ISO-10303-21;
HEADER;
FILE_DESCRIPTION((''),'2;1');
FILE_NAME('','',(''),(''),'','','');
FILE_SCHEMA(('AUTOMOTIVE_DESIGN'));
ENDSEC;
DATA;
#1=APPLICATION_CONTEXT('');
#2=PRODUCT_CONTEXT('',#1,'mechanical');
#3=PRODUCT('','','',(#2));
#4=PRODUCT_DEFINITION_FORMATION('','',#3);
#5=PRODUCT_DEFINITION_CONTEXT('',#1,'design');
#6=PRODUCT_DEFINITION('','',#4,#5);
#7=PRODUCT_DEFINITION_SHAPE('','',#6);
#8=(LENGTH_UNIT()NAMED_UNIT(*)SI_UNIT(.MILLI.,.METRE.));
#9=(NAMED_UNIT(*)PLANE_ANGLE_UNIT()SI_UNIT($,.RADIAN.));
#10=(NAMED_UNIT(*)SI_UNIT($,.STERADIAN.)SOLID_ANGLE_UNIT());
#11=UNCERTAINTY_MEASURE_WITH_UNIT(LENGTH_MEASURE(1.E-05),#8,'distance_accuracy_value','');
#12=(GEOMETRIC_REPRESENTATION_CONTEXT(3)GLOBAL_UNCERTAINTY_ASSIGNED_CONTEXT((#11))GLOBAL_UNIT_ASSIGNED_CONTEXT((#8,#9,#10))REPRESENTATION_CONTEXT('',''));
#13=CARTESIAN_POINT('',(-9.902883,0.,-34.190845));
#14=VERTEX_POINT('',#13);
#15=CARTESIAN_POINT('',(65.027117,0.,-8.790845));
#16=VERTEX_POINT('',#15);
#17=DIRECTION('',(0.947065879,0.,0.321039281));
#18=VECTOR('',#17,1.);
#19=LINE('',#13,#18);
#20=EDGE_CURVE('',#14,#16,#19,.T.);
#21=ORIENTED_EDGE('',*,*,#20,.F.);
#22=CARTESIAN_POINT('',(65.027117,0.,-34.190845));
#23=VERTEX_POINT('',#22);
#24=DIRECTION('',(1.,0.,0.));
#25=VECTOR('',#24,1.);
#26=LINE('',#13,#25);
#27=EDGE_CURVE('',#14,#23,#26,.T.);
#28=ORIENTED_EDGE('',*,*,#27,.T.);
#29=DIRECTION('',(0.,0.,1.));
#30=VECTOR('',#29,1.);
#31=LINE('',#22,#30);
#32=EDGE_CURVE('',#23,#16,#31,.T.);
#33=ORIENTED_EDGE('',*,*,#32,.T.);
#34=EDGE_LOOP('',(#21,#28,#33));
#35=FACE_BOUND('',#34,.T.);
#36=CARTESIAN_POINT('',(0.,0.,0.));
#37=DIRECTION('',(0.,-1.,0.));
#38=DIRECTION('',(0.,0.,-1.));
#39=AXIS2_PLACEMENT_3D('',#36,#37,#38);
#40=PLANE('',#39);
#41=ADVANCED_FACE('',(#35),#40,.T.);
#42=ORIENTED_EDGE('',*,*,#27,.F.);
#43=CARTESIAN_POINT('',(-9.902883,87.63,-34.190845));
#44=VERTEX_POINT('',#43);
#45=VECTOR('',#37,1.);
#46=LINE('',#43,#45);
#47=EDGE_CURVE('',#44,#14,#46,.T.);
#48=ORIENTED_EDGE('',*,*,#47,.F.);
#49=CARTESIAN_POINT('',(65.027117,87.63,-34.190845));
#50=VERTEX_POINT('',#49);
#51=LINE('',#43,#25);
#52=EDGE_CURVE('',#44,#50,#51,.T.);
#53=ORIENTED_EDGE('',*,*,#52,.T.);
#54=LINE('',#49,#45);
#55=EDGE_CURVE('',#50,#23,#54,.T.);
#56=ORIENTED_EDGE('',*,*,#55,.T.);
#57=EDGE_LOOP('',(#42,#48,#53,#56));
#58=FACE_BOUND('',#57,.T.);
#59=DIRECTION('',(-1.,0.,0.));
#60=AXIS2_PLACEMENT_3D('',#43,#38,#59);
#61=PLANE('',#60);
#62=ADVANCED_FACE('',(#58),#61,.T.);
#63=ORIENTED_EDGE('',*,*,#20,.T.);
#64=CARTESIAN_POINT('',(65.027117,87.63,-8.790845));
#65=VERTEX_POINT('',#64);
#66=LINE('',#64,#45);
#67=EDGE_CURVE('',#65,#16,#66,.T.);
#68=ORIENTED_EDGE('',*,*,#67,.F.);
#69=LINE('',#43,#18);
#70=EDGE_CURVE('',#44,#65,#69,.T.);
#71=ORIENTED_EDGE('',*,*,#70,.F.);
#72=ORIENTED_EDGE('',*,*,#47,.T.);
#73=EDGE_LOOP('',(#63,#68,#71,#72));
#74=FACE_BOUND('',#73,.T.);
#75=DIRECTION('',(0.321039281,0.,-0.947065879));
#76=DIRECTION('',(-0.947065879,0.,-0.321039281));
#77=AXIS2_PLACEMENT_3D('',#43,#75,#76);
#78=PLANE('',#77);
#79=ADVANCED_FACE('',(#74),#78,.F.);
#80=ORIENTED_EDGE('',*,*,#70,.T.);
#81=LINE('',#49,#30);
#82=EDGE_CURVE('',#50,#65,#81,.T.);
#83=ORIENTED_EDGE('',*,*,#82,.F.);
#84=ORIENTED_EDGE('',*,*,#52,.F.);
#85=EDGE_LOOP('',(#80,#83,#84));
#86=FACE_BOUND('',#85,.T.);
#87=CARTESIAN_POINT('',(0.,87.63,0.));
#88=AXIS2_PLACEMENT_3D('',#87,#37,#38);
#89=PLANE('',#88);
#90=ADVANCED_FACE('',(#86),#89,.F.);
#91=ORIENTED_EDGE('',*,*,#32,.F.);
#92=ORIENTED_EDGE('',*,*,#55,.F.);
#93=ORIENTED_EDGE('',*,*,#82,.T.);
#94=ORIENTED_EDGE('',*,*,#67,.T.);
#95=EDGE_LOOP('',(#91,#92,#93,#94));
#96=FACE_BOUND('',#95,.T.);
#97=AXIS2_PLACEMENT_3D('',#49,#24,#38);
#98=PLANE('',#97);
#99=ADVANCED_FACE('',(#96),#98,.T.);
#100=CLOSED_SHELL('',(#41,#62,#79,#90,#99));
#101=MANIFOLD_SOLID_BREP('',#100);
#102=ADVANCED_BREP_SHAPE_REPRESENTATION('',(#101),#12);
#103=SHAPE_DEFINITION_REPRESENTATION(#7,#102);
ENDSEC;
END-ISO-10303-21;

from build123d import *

# Parameters (mm, degrees)
BOSS_EXTRUDE1_DEPTH = 87.63


with BuildPart() as part:
    # Sketch1 → Boss-Extrude1 (new body)
    with BuildSketch(Plane(origin=(0, 0, 0), x_dir=(1, 0, 0), z_dir=(0, 1, 0))):
        Polygon((-9.902883232, 34.190845126), (65.027116768, 34.190845126), (65.027116768, 8.790845126), align=None)
    extrude(amount=BOSS_EXTRUDE1_DEPTH)


solid = part.part
